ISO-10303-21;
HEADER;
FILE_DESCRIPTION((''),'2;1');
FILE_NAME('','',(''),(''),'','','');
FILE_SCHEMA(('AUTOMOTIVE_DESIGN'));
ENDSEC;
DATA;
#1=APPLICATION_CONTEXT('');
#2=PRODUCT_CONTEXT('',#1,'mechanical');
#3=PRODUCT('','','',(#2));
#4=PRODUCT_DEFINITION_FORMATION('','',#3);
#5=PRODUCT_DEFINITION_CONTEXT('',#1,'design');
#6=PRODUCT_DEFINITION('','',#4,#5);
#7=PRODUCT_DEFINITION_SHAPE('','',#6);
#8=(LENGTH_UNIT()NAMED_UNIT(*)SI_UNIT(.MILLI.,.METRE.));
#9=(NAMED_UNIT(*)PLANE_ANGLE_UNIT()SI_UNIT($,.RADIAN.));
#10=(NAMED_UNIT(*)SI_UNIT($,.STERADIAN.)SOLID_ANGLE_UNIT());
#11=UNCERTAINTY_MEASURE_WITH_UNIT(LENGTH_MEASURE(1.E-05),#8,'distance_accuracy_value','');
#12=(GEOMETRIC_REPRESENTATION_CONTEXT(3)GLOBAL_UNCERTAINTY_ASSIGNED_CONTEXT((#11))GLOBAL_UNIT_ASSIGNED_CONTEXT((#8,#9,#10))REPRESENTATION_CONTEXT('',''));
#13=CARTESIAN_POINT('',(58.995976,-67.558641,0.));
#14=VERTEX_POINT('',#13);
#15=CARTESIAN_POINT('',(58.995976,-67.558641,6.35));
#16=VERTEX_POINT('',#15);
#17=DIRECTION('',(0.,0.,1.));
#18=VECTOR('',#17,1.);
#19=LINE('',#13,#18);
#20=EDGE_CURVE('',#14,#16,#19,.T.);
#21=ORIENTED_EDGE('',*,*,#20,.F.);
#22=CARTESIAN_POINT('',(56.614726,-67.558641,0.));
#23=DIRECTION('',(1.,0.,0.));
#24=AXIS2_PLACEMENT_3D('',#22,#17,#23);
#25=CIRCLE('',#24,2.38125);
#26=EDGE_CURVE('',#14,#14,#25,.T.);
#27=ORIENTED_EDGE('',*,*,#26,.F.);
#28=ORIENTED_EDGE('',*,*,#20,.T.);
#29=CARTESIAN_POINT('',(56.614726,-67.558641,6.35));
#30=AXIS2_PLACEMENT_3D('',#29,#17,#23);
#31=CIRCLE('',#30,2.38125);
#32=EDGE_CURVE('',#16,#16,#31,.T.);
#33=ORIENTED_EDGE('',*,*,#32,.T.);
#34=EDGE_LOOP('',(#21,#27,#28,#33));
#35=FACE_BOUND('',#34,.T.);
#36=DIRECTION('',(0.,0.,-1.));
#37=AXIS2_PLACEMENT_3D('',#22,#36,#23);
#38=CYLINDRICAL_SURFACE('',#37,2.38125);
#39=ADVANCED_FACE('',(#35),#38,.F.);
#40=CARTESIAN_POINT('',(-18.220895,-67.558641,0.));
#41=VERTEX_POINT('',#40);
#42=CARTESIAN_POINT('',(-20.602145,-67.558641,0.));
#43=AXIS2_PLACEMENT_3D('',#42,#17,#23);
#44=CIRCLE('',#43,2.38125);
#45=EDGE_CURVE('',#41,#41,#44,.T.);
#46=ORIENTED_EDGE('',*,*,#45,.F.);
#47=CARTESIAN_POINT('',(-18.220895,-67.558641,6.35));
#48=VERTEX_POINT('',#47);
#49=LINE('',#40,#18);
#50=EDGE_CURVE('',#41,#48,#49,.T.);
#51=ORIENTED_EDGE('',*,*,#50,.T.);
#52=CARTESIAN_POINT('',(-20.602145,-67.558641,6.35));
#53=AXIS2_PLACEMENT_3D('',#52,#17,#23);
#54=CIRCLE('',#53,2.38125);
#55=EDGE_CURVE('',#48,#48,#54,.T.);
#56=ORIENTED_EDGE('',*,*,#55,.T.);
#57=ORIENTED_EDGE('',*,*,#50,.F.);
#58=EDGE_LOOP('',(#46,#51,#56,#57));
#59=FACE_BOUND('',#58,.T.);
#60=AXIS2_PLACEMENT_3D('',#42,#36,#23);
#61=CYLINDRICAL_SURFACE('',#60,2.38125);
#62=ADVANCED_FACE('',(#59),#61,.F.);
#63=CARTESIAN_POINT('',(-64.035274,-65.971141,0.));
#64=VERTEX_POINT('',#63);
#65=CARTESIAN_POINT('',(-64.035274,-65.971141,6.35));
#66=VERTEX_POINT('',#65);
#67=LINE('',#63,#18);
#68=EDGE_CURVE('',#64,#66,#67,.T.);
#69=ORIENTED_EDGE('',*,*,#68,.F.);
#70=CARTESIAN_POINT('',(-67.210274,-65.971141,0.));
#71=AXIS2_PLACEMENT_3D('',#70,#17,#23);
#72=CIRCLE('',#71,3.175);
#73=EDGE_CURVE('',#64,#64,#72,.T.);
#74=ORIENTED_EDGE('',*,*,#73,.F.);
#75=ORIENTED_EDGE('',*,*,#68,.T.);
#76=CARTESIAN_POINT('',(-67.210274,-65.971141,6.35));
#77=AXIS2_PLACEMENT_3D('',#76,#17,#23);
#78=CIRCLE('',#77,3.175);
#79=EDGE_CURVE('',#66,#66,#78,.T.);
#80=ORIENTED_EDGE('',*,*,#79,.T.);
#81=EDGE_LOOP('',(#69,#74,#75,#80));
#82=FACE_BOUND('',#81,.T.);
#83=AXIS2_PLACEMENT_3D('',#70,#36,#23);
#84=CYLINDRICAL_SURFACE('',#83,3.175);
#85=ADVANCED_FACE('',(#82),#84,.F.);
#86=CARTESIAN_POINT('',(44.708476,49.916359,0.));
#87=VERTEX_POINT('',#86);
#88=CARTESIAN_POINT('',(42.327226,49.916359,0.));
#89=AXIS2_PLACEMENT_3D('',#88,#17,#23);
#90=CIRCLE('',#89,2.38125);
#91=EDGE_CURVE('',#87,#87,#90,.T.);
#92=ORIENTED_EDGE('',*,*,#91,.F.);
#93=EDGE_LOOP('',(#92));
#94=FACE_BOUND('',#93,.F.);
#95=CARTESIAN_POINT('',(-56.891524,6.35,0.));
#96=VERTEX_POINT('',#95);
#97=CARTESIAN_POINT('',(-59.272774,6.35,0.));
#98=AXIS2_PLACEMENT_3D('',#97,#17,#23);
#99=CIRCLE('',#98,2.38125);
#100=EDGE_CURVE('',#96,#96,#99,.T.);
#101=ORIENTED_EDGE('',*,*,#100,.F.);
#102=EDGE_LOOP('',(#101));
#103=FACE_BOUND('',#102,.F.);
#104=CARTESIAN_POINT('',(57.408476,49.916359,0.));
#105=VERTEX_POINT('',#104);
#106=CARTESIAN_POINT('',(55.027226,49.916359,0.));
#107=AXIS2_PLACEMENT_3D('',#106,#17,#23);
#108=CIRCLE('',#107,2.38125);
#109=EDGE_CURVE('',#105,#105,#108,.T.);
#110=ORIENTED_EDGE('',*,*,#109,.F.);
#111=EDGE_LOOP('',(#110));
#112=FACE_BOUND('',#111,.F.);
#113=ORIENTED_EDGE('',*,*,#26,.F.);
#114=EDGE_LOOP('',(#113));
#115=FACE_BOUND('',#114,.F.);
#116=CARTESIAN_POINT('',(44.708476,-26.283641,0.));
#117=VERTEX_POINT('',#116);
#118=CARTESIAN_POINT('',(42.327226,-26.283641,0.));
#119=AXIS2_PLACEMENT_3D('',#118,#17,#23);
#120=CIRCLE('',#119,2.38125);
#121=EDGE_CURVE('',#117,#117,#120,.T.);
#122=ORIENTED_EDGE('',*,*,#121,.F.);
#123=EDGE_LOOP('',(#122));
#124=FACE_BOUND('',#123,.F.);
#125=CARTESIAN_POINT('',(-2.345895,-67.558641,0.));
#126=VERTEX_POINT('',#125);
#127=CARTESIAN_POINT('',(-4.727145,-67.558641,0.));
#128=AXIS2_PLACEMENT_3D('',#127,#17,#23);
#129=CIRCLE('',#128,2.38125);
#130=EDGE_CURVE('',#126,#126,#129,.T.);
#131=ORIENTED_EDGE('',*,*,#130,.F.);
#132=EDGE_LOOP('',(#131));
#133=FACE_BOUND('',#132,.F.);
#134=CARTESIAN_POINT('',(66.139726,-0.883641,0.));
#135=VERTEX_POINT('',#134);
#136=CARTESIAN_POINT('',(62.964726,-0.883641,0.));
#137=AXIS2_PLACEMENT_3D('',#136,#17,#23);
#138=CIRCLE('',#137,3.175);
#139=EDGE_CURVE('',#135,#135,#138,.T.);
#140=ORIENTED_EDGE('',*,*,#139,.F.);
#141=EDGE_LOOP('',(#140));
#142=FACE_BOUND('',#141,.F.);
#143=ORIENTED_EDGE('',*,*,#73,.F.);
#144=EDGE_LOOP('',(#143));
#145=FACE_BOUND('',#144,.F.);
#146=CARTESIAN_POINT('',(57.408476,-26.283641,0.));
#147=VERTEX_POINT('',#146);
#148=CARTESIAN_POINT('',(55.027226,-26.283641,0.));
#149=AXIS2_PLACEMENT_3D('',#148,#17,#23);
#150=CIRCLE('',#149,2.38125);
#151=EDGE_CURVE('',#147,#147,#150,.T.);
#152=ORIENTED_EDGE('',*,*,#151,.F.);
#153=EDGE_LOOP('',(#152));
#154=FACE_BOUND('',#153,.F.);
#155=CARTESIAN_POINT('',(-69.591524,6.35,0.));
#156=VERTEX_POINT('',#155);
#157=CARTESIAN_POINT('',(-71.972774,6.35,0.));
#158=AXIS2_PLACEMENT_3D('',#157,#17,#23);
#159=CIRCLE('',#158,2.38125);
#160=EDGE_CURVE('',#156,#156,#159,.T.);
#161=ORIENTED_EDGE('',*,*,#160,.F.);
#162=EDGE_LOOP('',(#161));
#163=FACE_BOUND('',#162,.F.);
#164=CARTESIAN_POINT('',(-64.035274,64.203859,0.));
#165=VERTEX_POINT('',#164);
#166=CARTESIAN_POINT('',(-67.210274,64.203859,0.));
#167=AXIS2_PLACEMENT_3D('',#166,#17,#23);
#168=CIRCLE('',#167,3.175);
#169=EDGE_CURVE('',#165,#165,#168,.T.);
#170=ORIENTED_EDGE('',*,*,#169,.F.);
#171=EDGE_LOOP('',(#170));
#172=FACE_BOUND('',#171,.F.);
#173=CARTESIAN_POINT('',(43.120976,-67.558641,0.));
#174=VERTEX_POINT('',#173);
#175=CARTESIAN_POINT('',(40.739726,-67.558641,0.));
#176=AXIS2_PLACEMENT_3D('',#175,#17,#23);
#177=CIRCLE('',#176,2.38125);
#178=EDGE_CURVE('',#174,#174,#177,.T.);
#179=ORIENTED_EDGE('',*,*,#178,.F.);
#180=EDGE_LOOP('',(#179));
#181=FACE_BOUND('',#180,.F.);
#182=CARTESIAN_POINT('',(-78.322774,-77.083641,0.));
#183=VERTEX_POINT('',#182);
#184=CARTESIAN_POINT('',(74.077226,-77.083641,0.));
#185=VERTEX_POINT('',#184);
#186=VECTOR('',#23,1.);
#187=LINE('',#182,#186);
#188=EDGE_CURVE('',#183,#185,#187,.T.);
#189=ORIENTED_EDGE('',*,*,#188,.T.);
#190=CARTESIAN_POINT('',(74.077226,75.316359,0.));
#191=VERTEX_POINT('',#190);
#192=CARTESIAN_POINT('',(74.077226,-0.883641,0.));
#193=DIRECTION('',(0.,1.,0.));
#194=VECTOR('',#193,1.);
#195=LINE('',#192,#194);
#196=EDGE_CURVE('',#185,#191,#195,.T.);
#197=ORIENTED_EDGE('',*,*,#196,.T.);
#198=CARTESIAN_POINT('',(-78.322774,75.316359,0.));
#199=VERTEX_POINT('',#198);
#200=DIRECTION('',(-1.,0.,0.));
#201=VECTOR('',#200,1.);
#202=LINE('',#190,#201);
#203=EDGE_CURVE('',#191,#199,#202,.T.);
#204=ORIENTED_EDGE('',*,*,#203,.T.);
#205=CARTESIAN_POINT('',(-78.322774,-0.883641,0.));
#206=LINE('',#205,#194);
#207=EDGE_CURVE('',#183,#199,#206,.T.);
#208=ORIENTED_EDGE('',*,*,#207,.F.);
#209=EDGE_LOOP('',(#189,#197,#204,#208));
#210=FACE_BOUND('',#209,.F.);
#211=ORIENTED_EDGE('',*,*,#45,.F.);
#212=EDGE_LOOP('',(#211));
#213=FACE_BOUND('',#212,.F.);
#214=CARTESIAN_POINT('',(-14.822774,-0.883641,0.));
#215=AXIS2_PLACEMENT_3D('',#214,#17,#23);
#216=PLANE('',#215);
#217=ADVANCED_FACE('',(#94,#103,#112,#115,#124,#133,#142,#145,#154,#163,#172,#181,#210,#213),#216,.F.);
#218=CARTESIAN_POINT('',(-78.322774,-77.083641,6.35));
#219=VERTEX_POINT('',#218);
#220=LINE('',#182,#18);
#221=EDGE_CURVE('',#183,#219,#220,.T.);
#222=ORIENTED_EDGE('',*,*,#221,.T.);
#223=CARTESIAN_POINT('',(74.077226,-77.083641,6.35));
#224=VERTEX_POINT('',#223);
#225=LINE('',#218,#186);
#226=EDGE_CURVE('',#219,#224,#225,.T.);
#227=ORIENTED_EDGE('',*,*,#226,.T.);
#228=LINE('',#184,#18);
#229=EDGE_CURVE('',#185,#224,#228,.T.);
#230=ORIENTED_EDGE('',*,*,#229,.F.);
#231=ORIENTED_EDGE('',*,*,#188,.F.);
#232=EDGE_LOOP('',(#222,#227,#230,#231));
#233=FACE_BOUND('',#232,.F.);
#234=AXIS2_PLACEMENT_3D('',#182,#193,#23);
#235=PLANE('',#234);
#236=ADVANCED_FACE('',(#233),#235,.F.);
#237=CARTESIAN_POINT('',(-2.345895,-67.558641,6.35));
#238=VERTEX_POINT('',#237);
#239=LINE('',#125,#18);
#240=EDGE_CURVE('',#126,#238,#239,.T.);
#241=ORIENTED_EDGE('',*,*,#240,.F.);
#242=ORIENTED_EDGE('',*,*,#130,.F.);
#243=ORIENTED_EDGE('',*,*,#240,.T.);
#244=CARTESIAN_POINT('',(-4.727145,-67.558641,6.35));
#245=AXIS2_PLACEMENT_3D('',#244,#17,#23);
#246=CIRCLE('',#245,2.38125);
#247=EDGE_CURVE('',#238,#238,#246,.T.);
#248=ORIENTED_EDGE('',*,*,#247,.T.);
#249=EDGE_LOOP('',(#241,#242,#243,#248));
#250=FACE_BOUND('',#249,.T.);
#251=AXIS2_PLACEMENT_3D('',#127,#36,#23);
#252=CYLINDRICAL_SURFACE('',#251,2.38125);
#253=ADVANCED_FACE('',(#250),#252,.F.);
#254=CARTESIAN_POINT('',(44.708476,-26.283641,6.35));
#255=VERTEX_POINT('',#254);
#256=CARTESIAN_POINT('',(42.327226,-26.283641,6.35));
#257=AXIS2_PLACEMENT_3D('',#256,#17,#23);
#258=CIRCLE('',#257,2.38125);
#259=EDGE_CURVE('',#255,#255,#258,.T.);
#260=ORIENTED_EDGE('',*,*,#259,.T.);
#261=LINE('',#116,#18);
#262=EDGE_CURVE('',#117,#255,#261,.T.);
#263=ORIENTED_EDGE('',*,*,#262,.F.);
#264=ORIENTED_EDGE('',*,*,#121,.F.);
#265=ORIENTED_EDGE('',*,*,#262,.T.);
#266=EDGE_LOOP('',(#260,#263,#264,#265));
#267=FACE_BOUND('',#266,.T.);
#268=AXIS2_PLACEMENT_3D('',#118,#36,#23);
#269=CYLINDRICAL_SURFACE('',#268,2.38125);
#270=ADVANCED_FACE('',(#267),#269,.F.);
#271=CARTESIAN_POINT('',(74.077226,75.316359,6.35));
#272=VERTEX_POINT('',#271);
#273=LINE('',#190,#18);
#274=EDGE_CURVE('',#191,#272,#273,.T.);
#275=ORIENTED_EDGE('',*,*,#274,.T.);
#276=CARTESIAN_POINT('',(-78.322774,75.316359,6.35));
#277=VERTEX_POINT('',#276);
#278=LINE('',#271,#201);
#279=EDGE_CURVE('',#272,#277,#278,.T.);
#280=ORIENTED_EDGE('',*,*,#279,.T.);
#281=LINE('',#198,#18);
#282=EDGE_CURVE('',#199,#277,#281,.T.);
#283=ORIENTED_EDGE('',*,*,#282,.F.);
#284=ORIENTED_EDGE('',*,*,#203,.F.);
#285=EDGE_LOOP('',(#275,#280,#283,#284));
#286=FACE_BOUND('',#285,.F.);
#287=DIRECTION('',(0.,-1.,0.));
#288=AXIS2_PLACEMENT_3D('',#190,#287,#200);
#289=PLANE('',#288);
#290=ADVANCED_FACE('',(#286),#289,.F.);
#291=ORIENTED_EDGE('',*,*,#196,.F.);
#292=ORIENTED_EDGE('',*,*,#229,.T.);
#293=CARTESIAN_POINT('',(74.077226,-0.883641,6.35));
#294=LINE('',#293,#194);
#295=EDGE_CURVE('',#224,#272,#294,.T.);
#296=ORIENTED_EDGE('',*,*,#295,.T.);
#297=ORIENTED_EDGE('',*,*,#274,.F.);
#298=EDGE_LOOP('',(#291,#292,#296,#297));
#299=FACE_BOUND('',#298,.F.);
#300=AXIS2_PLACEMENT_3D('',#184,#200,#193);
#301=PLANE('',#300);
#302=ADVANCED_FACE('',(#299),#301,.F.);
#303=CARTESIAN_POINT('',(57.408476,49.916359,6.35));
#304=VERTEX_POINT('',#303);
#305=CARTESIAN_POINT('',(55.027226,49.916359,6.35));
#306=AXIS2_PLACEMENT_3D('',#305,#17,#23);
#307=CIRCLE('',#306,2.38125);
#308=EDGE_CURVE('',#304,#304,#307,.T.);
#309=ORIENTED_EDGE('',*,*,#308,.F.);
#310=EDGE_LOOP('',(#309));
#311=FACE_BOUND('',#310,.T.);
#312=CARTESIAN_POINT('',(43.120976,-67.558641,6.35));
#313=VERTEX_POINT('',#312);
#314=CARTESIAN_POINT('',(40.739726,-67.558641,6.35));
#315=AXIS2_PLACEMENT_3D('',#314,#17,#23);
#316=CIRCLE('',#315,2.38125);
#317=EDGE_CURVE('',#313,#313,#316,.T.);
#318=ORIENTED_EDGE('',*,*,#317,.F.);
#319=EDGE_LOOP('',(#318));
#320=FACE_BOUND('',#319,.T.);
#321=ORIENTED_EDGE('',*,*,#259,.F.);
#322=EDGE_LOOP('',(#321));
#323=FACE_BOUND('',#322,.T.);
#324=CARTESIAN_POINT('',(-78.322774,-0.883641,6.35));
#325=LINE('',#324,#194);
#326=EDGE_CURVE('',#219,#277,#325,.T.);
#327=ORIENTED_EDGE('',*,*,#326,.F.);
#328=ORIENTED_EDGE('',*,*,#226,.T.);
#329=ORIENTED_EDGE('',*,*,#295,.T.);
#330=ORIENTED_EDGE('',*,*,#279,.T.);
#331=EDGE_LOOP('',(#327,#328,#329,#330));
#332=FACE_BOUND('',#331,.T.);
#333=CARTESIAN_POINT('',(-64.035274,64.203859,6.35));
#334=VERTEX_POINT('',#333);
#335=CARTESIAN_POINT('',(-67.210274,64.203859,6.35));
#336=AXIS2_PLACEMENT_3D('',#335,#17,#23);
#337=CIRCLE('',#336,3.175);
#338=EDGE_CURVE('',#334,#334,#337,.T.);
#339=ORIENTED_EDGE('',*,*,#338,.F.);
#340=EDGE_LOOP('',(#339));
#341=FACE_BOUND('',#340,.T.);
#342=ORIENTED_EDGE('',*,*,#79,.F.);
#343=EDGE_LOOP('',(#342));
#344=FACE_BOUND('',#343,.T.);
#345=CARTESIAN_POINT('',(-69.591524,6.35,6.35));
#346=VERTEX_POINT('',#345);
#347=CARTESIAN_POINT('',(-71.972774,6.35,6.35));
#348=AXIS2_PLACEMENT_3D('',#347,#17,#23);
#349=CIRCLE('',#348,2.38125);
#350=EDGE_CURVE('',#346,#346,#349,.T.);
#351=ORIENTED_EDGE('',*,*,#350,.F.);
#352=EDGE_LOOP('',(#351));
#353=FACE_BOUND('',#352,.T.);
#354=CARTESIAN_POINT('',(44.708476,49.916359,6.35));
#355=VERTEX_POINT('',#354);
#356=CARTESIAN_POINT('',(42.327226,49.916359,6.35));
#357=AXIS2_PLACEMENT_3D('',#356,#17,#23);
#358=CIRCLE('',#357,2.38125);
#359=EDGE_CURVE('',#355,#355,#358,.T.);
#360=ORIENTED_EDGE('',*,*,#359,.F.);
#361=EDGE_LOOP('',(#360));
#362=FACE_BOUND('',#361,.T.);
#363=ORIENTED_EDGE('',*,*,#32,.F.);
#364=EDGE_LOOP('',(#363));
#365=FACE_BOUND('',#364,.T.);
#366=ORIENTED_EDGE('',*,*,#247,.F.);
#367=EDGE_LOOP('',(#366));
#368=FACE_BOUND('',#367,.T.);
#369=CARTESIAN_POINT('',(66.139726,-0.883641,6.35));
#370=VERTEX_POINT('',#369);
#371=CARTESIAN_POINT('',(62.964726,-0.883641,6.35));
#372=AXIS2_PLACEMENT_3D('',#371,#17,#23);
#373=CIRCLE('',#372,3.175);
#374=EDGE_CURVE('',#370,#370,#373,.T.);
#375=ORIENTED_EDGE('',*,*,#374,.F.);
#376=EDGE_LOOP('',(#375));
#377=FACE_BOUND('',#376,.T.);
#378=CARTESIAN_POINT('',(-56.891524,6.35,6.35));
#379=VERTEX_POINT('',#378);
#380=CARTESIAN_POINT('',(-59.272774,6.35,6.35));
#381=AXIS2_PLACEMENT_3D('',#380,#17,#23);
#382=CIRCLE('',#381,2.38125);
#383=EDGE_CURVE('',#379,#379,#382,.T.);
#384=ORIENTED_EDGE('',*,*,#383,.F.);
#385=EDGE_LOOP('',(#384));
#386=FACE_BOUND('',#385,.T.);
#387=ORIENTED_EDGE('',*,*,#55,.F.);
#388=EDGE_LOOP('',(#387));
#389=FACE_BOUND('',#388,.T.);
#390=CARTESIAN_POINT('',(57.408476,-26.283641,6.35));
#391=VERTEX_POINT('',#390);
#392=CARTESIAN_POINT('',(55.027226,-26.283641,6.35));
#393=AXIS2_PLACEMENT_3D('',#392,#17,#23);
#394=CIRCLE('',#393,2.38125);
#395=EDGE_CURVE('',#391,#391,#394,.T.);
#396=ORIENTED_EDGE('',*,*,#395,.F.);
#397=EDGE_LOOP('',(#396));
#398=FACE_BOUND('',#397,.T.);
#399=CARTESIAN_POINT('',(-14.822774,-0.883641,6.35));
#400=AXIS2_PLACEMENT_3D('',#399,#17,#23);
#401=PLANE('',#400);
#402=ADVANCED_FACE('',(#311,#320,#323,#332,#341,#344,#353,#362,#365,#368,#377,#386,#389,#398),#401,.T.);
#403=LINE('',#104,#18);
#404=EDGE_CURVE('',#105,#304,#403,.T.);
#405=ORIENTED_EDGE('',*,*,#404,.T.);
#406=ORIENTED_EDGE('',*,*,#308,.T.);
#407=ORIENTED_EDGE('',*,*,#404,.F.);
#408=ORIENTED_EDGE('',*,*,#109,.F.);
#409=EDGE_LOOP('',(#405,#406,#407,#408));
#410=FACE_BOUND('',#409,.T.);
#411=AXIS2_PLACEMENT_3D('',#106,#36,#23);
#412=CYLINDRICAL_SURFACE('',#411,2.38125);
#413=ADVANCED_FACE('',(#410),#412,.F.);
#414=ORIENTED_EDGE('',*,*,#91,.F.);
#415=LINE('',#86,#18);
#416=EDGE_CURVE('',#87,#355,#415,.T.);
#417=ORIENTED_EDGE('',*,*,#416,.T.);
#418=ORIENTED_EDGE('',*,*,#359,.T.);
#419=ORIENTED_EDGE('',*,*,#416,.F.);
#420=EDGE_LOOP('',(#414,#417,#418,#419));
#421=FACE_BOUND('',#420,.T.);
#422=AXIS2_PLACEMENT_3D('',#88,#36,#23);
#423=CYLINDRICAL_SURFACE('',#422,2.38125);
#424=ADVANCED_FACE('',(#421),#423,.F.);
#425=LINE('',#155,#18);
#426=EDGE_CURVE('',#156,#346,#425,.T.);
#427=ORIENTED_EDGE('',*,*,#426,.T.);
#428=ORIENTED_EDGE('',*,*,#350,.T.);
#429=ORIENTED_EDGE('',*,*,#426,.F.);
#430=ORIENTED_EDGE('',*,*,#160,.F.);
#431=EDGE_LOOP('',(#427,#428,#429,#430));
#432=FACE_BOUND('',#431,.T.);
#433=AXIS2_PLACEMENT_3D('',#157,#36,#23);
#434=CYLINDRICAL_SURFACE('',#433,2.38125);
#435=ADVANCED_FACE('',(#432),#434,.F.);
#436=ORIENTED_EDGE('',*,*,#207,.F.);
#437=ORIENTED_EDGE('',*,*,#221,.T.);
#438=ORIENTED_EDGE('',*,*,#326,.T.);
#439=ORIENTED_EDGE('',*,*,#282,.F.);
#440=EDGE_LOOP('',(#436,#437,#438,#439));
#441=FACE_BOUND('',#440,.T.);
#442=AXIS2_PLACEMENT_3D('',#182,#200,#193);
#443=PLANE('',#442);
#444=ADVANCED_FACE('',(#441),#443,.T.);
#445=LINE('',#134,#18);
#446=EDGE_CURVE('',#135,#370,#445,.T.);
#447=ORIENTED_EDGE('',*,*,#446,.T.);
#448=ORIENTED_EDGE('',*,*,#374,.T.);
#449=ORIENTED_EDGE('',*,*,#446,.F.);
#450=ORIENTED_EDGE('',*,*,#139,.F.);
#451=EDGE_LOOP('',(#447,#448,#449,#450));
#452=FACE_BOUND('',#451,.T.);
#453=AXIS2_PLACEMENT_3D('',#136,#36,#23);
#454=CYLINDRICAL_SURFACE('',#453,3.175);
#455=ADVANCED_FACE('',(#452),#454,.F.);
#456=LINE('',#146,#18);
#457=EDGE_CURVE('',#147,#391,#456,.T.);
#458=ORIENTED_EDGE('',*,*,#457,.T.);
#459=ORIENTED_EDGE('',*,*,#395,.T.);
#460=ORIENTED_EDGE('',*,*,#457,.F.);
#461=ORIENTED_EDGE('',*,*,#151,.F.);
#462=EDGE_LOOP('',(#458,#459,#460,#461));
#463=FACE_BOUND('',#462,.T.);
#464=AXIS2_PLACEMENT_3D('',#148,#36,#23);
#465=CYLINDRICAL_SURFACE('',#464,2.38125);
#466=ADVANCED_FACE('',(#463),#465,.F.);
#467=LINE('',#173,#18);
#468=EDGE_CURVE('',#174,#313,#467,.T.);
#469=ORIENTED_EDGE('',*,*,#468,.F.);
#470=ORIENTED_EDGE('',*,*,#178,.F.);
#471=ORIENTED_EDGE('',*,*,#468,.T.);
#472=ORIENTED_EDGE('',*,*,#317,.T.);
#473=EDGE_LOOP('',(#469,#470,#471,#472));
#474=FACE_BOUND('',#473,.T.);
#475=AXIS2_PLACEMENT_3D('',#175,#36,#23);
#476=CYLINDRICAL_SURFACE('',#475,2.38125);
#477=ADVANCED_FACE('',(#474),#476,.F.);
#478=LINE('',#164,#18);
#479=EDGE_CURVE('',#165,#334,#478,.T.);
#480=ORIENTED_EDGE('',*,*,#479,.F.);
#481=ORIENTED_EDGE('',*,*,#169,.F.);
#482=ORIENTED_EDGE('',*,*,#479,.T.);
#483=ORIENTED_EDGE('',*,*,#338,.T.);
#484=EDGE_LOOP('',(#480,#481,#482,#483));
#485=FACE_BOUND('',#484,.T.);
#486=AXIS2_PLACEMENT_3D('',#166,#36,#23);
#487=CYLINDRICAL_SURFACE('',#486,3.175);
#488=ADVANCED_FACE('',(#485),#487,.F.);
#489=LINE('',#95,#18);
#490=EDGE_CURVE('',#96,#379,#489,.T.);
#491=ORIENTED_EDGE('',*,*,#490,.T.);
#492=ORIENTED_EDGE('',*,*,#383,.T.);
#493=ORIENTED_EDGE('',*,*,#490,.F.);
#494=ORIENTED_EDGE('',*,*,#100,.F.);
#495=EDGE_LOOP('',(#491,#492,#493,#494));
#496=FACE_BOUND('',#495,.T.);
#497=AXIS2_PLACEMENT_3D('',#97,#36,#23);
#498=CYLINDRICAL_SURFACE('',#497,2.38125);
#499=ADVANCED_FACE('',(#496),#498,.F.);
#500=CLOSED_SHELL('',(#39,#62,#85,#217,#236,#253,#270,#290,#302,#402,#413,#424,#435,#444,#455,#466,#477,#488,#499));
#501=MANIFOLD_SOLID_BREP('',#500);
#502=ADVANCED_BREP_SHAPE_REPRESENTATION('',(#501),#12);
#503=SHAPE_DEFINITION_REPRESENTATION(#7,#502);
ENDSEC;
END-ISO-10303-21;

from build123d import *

# Parameters (mm, degrees)
F0_W     = 127
F0_H     = 152.4
F0_R     = 3.175
F0_R_2   = 2.38125
F0_W_2   = 25.4
F1_DEPTH = 6.35


with BuildPart() as f1:
    # F0 (on Top) → F1 (new body)
    with BuildSketch(Plane.XY):
        with Locations((-14.822774, -0.883641)):
            Rectangle(F0_W, F0_H)
        with Locations((-67.210274, -65.971141)):
            Circle(F0_R, mode=Mode.SUBTRACT)
        with Locations((-20.602145, -67.558641)):
            Circle(F0_R_2, mode=Mode.SUBTRACT)
        with Locations((-4.727145, -67.558641)):
            Circle(F0_R_2, mode=Mode.SUBTRACT)
        with Locations((40.739726, -67.558641)):
            Circle(F0_R_2, mode=Mode.SUBTRACT)
        with Locations((42.327226, -26.283641)):
            Circle(F0_R_2, mode=Mode.SUBTRACT)
        with Locations((-71.972774, 6.35)):
            Circle(F0_R_2, mode=Mode.SUBTRACT)
        with Locations((-59.272774, 6.35)):
            Circle(F0_R_2, mode=Mode.SUBTRACT)
        with Locations((-67.210274, 64.203859)):
            Circle(F0_R, mode=Mode.SUBTRACT)
        with Locations((42.327226, 49.916359)):
            Circle(F0_R_2, mode=Mode.SUBTRACT)
        with Locations((61.377226, -0.883641)):
            Rectangle(F0_W_2, F0_H)
        with Locations((56.614726, -67.558641)):
            Circle(F0_R_2, mode=Mode.SUBTRACT)
        with Locations((55.027226, -26.283641)):
            Circle(F0_R_2, mode=Mode.SUBTRACT)
        with Locations((62.964726, -0.883641)):
            Circle(F0_R, mode=Mode.SUBTRACT)
        with Locations((55.027226, 49.916359)):
            Circle(F0_R_2, mode=Mode.SUBTRACT)
    extrude(amount=F1_DEPTH)


solid = f1.part
